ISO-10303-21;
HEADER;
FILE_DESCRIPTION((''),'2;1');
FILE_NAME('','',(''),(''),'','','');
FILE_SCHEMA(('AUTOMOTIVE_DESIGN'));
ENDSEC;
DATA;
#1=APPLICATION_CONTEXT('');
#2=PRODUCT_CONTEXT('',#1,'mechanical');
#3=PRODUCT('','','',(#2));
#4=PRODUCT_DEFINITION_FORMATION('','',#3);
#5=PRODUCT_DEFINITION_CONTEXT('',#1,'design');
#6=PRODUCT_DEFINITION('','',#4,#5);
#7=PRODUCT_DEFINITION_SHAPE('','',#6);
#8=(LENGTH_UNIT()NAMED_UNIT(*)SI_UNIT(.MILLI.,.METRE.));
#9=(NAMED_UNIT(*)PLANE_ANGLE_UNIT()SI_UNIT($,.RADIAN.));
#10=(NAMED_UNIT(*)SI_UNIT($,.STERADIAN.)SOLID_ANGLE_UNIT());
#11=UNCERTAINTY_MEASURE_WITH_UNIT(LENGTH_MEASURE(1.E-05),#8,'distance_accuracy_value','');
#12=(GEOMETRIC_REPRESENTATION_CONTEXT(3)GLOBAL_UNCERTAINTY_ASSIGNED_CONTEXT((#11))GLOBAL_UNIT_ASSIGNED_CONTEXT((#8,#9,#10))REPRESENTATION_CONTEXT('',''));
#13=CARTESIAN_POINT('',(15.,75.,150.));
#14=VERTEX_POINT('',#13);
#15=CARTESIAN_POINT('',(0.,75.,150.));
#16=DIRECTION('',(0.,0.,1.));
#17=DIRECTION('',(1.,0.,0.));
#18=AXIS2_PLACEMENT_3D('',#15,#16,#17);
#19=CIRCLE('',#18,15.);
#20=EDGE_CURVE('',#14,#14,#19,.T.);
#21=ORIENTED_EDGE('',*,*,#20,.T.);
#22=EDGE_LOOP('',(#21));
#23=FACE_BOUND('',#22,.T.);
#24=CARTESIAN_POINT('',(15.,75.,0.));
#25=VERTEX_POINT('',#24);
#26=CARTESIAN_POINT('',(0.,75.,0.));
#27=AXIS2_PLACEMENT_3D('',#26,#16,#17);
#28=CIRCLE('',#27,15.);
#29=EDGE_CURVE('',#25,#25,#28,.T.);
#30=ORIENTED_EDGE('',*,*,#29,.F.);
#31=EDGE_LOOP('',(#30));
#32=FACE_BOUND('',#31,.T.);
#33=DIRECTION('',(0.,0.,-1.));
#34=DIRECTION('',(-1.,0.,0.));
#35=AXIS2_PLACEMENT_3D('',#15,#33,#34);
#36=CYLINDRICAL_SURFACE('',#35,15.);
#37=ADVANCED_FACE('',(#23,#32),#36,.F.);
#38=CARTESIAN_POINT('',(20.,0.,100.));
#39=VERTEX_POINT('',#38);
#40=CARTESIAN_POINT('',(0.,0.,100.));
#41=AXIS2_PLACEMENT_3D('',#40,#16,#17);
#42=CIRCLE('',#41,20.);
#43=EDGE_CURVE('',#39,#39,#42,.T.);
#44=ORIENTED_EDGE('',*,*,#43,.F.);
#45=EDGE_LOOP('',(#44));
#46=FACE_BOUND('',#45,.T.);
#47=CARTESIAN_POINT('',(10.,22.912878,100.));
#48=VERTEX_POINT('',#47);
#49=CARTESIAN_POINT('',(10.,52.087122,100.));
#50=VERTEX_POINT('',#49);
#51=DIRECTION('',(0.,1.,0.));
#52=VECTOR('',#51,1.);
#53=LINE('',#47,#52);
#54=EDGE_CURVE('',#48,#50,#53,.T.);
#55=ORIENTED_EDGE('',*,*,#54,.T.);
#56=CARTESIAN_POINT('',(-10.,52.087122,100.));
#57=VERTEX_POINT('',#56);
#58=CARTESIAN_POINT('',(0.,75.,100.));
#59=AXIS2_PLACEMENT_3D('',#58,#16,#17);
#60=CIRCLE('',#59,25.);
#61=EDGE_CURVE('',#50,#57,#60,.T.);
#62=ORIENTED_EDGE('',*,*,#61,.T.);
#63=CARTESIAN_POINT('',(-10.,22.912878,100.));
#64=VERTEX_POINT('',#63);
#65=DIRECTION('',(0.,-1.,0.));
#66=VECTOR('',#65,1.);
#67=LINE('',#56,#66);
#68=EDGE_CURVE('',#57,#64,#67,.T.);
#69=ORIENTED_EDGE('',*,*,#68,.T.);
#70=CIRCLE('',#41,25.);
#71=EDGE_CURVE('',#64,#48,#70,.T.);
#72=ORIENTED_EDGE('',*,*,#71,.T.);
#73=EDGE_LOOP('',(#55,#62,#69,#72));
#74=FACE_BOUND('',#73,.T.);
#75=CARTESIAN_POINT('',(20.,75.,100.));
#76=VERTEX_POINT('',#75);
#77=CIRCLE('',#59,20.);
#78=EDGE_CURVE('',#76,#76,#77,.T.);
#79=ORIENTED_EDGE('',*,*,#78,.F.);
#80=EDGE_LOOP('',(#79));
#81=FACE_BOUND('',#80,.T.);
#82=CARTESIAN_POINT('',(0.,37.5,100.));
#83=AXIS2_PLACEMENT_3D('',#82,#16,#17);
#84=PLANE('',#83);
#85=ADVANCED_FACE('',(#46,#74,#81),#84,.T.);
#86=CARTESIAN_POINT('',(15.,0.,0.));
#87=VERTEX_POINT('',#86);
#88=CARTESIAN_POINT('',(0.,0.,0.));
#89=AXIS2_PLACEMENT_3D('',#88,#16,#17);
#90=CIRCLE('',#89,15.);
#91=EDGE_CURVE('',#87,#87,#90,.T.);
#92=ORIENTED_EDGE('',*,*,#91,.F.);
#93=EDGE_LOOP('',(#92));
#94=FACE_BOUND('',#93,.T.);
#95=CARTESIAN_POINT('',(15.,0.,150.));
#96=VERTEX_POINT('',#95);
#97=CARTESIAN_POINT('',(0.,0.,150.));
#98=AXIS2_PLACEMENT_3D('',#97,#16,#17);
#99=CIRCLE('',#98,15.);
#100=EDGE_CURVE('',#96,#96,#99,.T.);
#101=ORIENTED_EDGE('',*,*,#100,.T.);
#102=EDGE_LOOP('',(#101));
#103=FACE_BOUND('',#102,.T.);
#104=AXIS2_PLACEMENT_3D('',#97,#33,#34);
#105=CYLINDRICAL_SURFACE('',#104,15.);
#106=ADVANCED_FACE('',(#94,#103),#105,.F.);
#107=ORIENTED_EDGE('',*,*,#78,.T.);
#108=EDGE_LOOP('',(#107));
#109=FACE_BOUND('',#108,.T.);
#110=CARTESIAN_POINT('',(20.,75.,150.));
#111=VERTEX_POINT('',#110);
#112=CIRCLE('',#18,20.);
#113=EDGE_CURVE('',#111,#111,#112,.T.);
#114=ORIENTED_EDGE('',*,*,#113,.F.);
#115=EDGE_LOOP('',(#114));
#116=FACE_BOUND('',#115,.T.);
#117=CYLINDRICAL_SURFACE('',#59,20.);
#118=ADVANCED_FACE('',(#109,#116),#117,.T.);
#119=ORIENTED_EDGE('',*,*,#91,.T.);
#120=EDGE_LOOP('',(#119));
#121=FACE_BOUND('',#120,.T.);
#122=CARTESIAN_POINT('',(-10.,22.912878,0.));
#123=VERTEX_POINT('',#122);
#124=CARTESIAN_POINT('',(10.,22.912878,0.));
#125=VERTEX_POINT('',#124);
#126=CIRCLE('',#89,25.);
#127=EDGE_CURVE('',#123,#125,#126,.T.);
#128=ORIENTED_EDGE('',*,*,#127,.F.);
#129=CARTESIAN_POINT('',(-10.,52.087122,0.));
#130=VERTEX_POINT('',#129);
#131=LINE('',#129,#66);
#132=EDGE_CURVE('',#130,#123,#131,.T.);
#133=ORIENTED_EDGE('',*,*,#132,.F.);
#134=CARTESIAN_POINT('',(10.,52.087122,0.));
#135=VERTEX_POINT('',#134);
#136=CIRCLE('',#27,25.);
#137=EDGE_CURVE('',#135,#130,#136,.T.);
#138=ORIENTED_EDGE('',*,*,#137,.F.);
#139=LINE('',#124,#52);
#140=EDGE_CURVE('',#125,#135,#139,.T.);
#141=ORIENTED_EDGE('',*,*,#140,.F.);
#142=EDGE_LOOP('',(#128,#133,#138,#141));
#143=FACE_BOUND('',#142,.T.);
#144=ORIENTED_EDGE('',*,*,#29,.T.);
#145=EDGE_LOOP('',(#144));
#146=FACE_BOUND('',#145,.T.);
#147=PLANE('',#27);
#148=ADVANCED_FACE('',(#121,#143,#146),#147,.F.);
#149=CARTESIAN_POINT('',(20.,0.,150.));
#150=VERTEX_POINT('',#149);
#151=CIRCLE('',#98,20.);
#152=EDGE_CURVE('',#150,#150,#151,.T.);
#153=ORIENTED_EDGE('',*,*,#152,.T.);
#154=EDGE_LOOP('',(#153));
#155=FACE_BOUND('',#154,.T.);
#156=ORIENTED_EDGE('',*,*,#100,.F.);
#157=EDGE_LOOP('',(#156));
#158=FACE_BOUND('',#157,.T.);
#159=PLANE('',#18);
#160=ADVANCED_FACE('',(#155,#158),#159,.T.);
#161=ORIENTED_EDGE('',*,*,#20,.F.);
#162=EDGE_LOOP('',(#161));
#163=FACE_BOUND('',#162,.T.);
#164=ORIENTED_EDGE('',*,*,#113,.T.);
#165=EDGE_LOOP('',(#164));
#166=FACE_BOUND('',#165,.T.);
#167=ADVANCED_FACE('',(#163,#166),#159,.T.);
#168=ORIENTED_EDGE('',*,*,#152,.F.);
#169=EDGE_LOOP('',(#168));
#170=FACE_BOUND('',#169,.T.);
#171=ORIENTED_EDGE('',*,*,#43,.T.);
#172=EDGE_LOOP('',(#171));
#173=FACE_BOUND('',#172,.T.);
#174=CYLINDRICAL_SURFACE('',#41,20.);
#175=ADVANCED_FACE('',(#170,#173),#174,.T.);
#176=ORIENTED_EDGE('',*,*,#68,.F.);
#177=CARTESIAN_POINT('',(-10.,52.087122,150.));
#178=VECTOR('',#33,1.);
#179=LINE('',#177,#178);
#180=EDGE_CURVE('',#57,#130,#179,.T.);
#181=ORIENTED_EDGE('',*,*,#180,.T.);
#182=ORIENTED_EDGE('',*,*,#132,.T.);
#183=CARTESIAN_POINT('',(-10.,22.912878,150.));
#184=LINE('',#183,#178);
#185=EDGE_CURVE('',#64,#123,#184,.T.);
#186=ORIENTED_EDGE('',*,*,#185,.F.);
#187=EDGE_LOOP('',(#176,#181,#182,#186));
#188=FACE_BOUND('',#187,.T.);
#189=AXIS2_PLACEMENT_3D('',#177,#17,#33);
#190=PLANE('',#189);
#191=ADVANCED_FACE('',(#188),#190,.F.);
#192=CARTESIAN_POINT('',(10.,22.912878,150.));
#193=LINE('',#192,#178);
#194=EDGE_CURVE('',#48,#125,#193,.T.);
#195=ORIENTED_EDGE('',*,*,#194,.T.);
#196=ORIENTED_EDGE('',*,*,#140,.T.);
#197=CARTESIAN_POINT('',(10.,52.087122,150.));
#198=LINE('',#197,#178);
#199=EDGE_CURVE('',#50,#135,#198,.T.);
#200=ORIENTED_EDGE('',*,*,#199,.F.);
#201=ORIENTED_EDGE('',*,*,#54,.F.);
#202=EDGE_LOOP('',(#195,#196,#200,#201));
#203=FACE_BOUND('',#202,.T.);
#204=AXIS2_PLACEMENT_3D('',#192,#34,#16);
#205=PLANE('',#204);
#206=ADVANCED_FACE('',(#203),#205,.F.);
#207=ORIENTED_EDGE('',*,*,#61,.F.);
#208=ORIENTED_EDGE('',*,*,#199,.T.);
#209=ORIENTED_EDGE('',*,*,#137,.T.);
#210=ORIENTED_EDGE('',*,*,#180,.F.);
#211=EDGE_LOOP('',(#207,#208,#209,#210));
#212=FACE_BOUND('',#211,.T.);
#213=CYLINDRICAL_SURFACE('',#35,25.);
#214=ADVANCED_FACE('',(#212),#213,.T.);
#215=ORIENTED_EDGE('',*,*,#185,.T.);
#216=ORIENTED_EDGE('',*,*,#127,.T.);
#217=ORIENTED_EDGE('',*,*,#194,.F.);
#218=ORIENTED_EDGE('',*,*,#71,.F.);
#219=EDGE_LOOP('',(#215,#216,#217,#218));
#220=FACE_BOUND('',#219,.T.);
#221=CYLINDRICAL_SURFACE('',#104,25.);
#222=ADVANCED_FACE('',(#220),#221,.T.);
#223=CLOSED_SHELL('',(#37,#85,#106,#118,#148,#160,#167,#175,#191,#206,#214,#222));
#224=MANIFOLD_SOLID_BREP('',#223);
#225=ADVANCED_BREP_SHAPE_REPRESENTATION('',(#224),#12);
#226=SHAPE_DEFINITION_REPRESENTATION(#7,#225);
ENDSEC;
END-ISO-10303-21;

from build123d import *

# Parameters (mm, degrees)
ESQUISSE1_R             = 15
BOSS_EXTRU_1_DEPTH      = 150
ESQUISSE3_OUTSIDE_W     = 92.312
ESQUISSE3_OUTSIDE_H     = 167.312
ESQUISSE3_OUTSIDE_R     = 20
ENL_V_MAT_EXTRU_2_DEPTH = 50


with BuildPart() as part:
    # Esquisse1 → Boss.-Extru.1 (new body)
    with BuildSketch(Plane.XY):
        with BuildLine():
            Line((-10, 52.087121525), (-10, 22.912878475))
            ThreePointArc((-10, 22.912878475), (0, -25), (10, 22.912878475))
            Line((10, 22.912878475), (10, 52.087121525))
            ThreePointArc((10, 52.087121525), (0, 100), (-10, 52.087121525))
        make_face()
        Circle(ESQUISSE1_R, mode=Mode.SUBTRACT)
        with Locations((0, 75)):
            Circle(ESQUISSE1_R, mode=Mode.SUBTRACT)
    extrude(amount=BOSS_EXTRU_1_DEPTH)

    # Esquisse3 outside → Enlèv. mat.-Extru.2 (cut)
    with BuildSketch(Plane.XY.offset(150)):
        with Locations((0, 37.5)):
            Rectangle(ESQUISSE3_OUTSIDE_W, ESQUISSE3_OUTSIDE_H)
        with Locations((0, 75)):
            Circle(ESQUISSE3_OUTSIDE_R, mode=Mode.SUBTRACT)
        Circle(ESQUISSE3_OUTSIDE_R, mode=Mode.SUBTRACT)
    extrude(amount=-ENL_V_MAT_EXTRU_2_DEPTH, mode=Mode.SUBTRACT)


solid = part.part
